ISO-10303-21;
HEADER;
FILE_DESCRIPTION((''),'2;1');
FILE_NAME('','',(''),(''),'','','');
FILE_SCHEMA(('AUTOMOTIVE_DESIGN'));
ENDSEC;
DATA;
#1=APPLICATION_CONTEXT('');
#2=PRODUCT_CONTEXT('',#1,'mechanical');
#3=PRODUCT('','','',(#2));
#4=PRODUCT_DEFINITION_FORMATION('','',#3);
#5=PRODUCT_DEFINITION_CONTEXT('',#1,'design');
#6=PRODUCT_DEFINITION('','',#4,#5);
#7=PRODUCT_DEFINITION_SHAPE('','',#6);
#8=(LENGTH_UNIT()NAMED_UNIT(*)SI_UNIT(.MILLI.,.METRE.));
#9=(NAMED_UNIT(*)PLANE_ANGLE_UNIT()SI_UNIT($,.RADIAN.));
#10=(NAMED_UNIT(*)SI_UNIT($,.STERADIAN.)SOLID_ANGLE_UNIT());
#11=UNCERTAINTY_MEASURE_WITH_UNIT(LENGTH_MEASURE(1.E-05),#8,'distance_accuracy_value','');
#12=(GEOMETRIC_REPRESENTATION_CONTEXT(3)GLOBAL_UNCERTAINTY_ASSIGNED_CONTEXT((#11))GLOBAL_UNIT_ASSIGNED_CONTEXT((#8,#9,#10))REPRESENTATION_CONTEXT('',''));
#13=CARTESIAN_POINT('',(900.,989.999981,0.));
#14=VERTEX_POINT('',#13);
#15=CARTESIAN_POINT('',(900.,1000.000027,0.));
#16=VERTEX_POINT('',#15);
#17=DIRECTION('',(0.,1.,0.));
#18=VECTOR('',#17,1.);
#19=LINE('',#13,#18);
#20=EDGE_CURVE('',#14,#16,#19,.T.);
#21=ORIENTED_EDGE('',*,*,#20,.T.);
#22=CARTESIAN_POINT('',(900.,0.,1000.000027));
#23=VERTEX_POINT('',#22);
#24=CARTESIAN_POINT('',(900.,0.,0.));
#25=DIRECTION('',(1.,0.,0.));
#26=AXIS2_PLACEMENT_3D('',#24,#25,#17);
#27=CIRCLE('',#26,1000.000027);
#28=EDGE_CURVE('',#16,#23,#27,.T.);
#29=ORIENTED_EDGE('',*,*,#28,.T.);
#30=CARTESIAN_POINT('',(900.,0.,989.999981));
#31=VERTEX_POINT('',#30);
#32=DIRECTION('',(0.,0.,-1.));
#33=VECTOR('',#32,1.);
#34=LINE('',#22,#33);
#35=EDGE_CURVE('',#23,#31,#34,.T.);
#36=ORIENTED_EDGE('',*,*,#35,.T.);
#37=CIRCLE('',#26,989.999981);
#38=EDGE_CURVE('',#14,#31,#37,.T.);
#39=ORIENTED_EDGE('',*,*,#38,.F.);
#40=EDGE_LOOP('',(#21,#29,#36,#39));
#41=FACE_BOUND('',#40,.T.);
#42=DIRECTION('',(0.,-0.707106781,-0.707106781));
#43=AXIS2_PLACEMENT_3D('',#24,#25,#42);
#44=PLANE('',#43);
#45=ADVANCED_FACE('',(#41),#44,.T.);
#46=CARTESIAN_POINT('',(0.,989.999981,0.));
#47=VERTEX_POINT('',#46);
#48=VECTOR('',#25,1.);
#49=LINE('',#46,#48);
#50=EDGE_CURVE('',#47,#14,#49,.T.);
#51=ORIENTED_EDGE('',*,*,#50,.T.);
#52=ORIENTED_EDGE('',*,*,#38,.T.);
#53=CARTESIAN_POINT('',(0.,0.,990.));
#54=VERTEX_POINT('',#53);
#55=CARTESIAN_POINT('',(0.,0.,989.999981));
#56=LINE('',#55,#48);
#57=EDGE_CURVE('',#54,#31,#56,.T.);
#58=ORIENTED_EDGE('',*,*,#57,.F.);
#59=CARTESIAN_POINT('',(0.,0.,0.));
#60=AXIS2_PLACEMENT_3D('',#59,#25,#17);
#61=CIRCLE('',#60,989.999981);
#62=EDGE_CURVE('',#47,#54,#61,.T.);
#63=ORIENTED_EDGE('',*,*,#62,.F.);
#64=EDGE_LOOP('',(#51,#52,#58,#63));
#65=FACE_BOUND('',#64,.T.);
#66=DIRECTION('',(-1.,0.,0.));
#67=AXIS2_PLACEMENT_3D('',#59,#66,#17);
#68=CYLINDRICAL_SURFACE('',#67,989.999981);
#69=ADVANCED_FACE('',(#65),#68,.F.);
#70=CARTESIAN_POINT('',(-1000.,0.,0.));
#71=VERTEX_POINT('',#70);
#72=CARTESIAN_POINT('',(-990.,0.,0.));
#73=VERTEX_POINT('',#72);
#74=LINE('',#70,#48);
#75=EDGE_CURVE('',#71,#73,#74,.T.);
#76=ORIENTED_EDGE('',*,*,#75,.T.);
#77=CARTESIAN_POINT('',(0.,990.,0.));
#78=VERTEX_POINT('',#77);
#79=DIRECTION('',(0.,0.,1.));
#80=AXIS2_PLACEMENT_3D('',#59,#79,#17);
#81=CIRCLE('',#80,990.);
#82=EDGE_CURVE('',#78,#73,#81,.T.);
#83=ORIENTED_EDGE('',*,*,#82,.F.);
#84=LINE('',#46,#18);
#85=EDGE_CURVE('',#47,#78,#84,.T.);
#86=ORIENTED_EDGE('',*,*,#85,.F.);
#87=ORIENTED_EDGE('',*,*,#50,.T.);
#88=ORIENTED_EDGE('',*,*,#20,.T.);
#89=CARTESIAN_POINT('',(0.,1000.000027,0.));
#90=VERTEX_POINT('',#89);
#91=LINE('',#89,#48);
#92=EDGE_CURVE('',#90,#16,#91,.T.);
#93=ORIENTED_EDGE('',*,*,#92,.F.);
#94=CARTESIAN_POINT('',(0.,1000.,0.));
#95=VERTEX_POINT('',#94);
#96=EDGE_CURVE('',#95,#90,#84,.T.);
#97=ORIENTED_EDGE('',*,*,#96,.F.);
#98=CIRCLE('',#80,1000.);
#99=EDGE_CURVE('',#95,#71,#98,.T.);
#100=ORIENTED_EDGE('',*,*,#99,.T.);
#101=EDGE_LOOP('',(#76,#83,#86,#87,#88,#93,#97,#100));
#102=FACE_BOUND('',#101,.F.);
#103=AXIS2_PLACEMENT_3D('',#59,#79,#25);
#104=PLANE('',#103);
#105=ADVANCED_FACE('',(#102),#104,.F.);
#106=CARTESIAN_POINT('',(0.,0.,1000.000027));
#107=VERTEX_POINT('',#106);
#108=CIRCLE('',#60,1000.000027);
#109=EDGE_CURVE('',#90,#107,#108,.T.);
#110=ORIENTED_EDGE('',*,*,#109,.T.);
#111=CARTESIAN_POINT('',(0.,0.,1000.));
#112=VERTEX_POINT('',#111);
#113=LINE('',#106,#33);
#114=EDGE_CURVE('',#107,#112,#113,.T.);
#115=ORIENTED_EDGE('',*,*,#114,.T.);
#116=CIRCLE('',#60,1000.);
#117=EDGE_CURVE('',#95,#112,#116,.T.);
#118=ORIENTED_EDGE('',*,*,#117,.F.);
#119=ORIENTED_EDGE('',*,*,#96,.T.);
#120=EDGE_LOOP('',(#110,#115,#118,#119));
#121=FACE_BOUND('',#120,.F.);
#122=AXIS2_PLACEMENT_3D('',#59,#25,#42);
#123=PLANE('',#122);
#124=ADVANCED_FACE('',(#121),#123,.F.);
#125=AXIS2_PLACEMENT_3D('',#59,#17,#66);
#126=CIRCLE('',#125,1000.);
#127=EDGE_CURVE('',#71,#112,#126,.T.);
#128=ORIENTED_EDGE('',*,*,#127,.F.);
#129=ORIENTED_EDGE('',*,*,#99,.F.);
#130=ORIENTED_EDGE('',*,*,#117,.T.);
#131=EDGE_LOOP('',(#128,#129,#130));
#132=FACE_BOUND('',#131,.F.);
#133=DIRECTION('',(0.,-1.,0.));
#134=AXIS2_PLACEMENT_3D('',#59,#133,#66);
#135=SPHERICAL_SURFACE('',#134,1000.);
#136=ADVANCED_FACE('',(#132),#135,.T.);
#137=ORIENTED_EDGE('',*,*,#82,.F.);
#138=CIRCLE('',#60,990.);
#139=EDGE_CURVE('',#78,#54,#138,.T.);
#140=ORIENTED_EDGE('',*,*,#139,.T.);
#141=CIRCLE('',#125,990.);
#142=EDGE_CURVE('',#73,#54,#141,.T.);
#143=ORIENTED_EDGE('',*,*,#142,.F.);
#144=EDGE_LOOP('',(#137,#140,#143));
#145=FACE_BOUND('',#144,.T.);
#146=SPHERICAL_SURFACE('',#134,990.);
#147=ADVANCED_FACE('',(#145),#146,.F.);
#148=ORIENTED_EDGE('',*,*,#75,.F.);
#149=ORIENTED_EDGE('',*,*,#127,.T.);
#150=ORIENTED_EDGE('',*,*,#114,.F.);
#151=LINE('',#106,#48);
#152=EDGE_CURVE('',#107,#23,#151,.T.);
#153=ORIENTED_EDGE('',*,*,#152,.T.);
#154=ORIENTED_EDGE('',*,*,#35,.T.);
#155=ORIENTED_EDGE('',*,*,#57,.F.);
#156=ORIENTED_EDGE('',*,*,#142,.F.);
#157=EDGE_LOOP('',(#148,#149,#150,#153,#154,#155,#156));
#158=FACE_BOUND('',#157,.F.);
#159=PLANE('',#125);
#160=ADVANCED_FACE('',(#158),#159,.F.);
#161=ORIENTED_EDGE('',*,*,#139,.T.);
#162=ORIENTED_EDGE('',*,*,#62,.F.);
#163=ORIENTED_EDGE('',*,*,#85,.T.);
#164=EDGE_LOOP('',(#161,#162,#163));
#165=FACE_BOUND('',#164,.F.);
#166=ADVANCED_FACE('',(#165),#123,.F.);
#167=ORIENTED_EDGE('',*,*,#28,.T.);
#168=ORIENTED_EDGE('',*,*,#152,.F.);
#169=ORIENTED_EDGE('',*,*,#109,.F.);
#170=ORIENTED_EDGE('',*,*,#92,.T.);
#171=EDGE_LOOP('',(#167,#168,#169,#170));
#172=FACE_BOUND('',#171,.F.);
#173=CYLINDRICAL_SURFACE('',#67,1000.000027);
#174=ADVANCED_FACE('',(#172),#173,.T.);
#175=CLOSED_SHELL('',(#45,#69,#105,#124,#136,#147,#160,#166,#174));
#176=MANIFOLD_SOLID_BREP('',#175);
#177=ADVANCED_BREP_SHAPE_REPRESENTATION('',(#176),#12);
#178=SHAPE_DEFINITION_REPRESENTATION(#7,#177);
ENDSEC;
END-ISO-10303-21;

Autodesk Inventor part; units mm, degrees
ref_plane "YZ Plane" through (0, 0, 0) normal (1, 0, 0) x (0, 1, 0)
ref_plane "XZ Plane" through (0, 0, 0) normal (0, 1, 0) x (-1, 0, 0)
sketch "Sketch1" plane through (0, 0, 0) normal (0, 0, 1) x (1, 0, 0)
  arc A0 (0, 1000) -> (-1000, 0) centre (0, 0) ccw
  arc A1 (0, 990) -> (-990, 0) centre (0, 0) ccw
  line L0 (-1000, 0) -> (-990, 0)
  line L1 (0, 1000) -> (0, 990)
  line L2 (0, -217.2792) -> (0, 1303.6753) projected
  dimension "d0" = 10
  dimension "d1" = 1000
  dimension "d2" = 0
  dimension "d3" = 0
revolve "Revolution1" add sketch "Sketch1" angle 90 about axis through (0, -10, 0) along (0, 1, 0)
sketch "Sketch2" plane through (0, 0, 0) normal (1, 0, 0) x (0, -0.7071, -0.7071)
  arc A0 (-707.1068, 707.1068) -> (-707.1068, -707.1068) centre (0, 0) ccw projected
  arc A1 (-700.0357, 700.0357) -> (-700.0357, -700.0357) centre (0, 0) ccw projected
  line L0 (-700.0357, 700.0357) -> (-707.1068, 707.1068) projected
  line L1 (-707.1068, -707.1068) -> (-700.0357, -700.0357) projected
extrude "Extrusion2" add sketch "Sketch2" along normal blind 900
ref_plane "tangent1" through (900, 0, 1000) normal (0, 0, -1) x (-1, 0, 0)
equation "\"d0\" = thickness"
equation "\"thickness\" = 10"
equation "\"hoop_angle_z\" = 45deg"
equation "\"hoop_bearing_length\" = 5deg"
equation "\"hoop_cable_diam\" = 5"
equation "\"hoop_cable_pulley_diam\" = 22"
equation "\"rack_tooth_addendum\" = 5"
equation "\"rack_tooth_dedendum\" = 5"
equation "\"rack_tooth_thickness\" = 5"
equation "\"secure_arm_angle\" = 20deg"
equation "\"secure_arm_hold_length\" = 35"
equation "\"secure_arm_radii\" = 9"
equation "\"support_baseClamp_platformLengthBuffer\" = 35"
equation "\"support_baseClamp_platformThickness\" = 15"
equation "\"support_baseClamp_platformWidthBuffer\" = 0"
equation "\"support_baseClamp_sleeveHoleDiameter\" = 12"
equation "\"support_baseClamp_sleeveSweepTerminationAngle\" = 55deg"
equation "\"support_baseClamp_thickness\" = 8"
equation "\"support_frame_endHoleBuffer\" = 25"
equation "\"support_frame_squareBarFillet\" = 2"
equation "\"support_frame_squareBarThickness\" = 5"
equation "\"hoop_tabs_thickness\" = 6"
equation "\"hoop_tabs_hole\" = 4"
equation "\"wheelchair_deployed_width\" = 635"
equation "\"wheelchair_deployed_length\" = 1067"
equation "\"wheelchair_deployed_height\" = 914"
properties part number "cover2_sule"
